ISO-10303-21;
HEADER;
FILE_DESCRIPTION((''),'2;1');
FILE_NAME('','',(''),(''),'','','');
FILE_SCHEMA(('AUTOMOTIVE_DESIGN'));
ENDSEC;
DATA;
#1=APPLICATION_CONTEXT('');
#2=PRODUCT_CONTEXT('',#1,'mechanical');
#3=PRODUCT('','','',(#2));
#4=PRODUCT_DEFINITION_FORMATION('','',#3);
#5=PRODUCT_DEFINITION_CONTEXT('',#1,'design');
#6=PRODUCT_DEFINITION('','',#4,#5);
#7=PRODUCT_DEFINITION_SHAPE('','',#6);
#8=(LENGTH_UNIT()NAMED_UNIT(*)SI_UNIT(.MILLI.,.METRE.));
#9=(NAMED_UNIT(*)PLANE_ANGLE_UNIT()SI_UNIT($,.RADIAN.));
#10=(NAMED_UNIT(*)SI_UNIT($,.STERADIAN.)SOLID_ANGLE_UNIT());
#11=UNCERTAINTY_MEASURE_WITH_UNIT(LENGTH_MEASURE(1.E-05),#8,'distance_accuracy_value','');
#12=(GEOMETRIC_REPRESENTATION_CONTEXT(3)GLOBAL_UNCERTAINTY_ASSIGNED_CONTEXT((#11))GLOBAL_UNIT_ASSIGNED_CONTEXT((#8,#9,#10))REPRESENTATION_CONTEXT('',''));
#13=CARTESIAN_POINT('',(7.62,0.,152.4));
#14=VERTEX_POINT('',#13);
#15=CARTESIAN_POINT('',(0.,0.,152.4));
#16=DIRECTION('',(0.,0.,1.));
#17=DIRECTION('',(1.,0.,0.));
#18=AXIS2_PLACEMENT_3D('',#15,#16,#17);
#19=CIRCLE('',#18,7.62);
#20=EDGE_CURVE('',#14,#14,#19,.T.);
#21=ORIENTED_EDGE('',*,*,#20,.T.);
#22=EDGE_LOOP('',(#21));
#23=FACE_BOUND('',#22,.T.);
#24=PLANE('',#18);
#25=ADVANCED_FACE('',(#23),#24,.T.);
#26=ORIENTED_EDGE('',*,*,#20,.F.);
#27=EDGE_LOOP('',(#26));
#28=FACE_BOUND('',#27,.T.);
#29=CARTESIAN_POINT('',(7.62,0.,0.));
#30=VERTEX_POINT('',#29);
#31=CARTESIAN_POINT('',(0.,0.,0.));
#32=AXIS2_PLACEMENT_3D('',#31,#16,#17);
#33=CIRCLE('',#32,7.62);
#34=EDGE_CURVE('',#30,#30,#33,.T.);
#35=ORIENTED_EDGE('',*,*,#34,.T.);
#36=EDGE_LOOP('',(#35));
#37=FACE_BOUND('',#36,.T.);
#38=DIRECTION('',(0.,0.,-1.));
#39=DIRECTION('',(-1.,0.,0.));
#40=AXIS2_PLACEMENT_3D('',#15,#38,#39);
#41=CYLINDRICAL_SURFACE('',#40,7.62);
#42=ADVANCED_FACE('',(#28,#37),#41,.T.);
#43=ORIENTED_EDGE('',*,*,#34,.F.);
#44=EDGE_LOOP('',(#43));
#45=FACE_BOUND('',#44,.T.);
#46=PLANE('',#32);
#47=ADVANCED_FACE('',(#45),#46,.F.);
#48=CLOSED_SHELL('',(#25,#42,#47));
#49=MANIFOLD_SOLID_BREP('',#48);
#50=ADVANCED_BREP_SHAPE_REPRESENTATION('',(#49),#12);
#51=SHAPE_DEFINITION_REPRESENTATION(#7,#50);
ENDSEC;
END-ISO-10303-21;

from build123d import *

# Parameters (mm, degrees)
SKETCH1_R           = 7.62
BOSS_EXTRUDE1_DEPTH = 152.4


with BuildPart() as part:
    # Sketch1 → Boss-Extrude1 (new body)
    with BuildSketch(Plane.XY):
        Circle(SKETCH1_R)
    extrude(amount=BOSS_EXTRUDE1_DEPTH)


solid = part.part
